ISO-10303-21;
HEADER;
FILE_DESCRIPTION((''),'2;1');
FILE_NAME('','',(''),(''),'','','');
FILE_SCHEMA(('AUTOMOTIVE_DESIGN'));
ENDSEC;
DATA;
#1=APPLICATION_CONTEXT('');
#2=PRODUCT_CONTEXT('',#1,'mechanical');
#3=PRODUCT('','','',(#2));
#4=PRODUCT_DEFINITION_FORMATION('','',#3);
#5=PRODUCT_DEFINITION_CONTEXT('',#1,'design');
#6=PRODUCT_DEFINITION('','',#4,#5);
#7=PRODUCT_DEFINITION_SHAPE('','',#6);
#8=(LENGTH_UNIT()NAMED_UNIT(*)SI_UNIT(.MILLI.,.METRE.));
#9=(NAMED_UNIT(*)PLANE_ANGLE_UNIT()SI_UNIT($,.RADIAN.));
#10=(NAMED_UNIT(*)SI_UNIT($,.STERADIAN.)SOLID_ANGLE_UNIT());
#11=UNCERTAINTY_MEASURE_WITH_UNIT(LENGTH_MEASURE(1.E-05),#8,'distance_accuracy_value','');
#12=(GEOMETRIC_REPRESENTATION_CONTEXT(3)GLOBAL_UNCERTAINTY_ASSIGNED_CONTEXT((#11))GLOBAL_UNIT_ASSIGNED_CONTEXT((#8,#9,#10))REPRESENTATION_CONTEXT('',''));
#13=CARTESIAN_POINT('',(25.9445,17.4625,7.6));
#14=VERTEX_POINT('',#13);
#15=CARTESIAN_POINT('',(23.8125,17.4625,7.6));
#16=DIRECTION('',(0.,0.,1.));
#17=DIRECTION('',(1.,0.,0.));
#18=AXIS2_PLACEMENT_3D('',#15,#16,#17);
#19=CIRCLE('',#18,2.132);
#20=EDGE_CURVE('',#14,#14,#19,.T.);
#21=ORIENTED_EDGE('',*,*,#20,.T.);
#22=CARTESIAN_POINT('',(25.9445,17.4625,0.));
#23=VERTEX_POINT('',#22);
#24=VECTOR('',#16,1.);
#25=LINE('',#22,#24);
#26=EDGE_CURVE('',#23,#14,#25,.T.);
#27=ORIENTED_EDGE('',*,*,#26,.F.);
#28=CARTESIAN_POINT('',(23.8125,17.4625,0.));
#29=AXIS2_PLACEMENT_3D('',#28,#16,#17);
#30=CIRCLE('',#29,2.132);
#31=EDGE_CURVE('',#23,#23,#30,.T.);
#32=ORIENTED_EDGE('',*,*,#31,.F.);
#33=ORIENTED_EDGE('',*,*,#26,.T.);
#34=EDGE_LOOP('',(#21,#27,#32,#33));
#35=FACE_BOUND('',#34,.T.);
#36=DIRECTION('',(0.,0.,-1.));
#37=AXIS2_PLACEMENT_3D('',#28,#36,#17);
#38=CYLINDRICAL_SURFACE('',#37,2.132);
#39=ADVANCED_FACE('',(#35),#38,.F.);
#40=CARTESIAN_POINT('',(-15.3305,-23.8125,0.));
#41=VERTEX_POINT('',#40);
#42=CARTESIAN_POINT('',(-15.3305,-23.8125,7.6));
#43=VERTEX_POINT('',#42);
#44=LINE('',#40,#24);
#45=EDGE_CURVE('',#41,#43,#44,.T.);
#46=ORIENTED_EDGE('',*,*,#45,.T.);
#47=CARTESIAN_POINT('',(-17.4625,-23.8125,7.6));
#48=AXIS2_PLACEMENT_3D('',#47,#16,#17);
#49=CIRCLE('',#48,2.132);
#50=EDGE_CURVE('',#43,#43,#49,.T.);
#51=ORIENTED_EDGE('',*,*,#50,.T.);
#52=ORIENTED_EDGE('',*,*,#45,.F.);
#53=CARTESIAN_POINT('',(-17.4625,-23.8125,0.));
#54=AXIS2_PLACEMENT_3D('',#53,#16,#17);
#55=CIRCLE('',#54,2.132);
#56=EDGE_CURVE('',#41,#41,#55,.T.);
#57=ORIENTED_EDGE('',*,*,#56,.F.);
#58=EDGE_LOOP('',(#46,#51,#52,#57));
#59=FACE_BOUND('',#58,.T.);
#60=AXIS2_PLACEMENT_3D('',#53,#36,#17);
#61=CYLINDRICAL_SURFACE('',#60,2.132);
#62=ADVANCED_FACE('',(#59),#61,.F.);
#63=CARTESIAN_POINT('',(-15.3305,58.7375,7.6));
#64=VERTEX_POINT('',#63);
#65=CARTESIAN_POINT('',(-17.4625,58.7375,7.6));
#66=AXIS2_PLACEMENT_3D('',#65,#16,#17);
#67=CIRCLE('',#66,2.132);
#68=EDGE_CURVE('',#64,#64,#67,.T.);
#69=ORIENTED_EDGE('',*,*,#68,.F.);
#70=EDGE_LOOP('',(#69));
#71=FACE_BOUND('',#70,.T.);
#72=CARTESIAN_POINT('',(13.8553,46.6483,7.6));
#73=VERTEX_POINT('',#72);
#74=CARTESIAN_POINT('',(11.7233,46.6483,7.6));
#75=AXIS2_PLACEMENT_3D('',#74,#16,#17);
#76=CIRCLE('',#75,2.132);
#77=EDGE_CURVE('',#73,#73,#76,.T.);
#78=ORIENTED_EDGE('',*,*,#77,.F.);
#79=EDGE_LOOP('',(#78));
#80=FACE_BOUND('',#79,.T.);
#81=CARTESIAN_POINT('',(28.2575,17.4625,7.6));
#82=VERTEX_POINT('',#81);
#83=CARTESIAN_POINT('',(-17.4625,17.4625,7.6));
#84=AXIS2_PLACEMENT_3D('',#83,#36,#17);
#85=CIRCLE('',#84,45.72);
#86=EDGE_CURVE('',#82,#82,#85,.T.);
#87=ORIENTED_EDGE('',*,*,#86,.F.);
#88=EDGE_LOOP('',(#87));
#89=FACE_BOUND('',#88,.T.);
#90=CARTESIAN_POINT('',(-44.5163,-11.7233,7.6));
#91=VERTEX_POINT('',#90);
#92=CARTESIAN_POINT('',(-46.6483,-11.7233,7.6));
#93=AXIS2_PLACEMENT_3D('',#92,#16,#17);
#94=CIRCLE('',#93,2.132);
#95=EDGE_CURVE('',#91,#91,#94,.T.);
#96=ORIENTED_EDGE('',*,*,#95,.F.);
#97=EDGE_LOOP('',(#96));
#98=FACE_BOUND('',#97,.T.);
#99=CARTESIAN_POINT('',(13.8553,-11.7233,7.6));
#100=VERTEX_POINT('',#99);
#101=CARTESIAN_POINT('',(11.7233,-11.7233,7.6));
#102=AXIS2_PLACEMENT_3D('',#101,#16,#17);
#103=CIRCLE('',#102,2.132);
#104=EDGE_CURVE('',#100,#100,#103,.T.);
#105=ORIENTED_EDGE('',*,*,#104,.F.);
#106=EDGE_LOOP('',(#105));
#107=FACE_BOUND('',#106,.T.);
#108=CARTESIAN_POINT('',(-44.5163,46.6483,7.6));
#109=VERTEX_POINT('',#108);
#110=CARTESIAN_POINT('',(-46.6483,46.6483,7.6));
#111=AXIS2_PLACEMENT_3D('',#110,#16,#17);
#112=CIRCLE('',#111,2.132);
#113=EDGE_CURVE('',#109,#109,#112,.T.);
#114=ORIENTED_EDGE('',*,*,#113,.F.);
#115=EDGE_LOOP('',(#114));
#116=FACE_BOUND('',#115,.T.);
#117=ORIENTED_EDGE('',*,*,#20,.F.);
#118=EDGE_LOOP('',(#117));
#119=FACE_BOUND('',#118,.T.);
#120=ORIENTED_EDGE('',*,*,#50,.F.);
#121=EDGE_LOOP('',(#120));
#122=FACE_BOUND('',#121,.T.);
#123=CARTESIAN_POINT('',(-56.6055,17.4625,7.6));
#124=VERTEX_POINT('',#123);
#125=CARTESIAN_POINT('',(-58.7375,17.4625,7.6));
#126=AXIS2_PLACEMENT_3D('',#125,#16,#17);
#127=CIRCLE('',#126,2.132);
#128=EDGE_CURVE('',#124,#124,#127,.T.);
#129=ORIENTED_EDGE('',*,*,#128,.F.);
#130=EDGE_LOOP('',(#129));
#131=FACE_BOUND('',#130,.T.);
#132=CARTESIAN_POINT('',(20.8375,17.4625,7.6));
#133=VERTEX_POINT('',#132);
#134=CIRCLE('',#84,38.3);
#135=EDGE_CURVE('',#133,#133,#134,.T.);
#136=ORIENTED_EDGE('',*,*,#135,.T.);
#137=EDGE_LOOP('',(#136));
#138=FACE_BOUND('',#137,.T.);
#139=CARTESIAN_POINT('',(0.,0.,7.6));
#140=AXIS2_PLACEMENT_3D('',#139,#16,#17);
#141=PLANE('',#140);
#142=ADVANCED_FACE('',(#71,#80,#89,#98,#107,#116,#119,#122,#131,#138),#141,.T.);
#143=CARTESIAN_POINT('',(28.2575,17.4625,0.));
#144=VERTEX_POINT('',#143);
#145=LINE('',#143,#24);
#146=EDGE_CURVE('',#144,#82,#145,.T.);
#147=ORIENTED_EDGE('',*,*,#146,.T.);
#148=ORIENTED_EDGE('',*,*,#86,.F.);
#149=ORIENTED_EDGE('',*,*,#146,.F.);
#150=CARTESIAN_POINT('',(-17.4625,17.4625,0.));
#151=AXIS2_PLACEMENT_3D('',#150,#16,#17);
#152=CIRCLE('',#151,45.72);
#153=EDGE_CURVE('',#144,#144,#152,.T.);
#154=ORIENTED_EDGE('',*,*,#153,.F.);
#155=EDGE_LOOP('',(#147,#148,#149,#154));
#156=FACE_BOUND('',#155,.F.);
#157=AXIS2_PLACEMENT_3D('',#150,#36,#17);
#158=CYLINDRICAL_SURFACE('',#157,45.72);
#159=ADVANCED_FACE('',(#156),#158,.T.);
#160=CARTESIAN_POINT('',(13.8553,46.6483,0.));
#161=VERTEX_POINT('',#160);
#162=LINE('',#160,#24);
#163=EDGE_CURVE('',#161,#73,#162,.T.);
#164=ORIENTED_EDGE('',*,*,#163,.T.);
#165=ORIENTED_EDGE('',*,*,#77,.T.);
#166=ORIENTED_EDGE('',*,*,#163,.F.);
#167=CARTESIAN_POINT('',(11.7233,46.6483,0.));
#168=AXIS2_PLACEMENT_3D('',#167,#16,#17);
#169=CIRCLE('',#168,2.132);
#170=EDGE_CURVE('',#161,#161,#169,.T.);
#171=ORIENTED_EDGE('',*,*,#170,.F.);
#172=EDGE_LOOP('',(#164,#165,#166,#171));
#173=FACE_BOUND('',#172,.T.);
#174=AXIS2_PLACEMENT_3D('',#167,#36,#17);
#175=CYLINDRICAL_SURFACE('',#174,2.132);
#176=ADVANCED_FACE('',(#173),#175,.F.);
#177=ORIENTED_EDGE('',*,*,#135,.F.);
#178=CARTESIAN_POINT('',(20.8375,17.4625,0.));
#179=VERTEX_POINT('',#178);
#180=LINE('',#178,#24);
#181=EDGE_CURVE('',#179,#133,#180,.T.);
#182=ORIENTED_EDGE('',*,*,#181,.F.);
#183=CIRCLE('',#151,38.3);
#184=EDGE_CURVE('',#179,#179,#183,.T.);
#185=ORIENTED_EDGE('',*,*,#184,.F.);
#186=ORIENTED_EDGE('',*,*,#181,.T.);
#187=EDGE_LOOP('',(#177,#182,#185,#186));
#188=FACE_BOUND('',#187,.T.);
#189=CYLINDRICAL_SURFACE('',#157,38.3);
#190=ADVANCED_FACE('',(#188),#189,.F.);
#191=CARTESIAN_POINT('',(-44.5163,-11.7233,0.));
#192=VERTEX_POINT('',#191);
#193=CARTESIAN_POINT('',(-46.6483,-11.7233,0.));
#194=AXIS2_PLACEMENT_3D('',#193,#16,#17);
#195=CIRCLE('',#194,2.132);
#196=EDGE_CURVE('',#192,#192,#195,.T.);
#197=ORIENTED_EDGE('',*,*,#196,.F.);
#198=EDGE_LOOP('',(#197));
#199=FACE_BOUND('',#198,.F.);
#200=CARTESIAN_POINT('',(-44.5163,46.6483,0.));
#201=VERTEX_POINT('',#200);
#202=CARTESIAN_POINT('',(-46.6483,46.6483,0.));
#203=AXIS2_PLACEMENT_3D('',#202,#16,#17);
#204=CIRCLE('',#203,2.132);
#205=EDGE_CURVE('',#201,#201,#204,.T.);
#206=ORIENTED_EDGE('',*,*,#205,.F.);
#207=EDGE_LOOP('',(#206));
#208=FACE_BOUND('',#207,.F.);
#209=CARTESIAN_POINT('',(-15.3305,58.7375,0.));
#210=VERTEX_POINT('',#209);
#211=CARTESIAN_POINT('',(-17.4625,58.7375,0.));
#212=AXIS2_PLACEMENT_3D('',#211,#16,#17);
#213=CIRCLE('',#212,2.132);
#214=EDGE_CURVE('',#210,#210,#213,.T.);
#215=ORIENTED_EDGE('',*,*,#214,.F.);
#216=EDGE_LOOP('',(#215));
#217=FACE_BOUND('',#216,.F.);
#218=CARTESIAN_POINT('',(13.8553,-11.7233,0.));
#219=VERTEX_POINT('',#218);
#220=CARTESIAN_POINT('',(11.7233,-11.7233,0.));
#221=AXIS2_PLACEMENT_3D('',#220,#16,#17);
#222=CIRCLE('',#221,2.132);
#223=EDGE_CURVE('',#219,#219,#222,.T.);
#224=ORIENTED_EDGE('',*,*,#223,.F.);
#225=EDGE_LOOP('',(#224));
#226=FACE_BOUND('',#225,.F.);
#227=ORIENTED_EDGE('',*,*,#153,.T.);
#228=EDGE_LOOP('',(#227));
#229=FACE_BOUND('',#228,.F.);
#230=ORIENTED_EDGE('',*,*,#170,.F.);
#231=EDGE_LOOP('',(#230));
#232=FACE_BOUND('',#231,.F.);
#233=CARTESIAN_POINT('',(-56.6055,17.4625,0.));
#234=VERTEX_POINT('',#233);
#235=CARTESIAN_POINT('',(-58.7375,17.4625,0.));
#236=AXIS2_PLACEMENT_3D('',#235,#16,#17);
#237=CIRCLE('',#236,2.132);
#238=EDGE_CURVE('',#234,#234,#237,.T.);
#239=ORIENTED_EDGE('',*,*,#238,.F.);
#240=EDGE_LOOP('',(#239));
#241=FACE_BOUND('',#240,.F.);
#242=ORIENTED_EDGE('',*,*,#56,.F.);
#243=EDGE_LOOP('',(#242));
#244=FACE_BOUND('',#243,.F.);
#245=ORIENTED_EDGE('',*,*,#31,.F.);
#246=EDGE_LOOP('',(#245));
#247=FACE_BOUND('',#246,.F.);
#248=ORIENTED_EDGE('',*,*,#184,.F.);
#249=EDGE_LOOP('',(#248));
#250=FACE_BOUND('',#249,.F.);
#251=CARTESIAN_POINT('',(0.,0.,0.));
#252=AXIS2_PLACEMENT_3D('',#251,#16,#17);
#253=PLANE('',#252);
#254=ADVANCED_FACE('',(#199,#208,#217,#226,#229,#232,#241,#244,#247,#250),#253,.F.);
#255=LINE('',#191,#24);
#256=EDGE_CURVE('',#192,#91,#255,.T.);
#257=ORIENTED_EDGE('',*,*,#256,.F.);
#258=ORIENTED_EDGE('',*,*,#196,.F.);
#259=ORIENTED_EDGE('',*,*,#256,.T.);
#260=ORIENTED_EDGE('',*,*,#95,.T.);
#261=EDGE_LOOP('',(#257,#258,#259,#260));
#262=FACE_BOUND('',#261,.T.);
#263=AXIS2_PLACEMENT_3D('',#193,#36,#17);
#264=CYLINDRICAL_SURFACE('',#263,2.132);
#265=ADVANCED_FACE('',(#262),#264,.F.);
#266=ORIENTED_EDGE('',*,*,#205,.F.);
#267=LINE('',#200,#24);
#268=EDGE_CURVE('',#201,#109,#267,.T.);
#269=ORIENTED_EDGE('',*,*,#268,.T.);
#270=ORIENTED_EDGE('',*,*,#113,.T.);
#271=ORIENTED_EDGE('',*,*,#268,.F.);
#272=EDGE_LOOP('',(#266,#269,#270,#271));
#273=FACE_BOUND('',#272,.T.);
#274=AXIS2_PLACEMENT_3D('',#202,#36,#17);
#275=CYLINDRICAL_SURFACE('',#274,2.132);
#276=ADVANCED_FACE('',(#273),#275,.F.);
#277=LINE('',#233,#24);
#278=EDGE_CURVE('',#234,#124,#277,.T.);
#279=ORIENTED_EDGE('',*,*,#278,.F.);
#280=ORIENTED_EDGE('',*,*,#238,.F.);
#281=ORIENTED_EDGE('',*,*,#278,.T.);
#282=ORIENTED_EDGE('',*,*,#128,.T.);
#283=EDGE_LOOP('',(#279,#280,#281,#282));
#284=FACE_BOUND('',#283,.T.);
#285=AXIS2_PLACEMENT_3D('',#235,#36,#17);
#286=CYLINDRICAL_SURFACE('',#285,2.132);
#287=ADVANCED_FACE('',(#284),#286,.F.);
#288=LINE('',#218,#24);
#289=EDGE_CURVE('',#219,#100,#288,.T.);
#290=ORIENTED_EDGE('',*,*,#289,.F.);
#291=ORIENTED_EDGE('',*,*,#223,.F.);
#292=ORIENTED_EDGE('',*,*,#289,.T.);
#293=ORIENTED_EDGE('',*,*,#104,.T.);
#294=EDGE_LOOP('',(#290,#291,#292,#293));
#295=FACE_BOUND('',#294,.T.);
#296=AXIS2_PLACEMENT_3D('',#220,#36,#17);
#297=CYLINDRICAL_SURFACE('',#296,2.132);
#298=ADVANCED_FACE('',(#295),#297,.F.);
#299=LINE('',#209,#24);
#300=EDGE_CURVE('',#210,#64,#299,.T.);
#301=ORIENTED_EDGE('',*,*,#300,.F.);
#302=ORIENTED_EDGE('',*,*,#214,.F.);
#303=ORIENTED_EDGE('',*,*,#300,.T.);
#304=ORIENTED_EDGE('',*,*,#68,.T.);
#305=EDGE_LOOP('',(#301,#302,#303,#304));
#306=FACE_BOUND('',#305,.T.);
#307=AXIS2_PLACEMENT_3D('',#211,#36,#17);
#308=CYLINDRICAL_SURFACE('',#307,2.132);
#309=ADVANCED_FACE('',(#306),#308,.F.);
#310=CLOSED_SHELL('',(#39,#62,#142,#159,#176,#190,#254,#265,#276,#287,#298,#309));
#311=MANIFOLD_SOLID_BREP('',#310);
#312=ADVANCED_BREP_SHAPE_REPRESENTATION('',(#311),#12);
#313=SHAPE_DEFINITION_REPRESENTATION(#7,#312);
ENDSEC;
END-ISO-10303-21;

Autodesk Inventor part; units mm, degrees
ref_plane "YZ Plane" through (0, 0, 0) normal (1, 0, 0) x (0, 1, 0)
ref_plane "XZ Plane" through (0, 0, 0) normal (0, 1, 0) x (-1, 0, 0)
ref_plane "XY Plane" through (0, 0, 0) normal (0, 0, 1) x (1, 0, 0)
ref_plane "Work Plane1" through (0, 0, 0) normal (0, 0, 1) x (1, 0, 0)
sketch "Sketch1" plane through (0, 0, 0) normal (0, 0, 1) x (1, 0, 0)
  circle A0 centre (11.7233, 46.6483) radius 2.132 projected
  circle A1 centre (20.0025, 56.1975) radius 2.132 projected
  circle A2 centre (32.7025, 56.1975) radius 2.132 projected
  circle A3 centre (45.4025, 56.1975) radius 2.132 projected
  circle A4 centre (58.1025, 56.1975) radius 2.132 projected
  circle A5 centre (-58.7375, 17.4625) radius 2.132 projected
  circle A6 centre (-46.6483, 46.6483) radius 2.132 projected
  circle A7 centre (-17.4625, 58.7375) radius 2.132 projected
  circle A8 centre (11.7233, 46.6483) radius 2.132 projected
  circle A9 centre (23.8125, 17.4625) radius 2.132 projected
  circle A10 centre (11.7233, -11.7233) radius 2.132 projected
  circle A11 centre (-17.4625, -23.8125) radius 2.132 projected
  circle A12 centre (-46.6483, -11.7233) radius 2.132 projected
  circle A13 centre (-56.1975, -32.7025) radius 2.132 projected
  circle A14 centre (-56.1975, -45.4025) radius 2.132 projected
  circle A15 centre (-56.1975, -58.1025) radius 2.132 projected
  circle A16 centre (-56.1975, -20.0025) radius 2.132 projected
  circle A17 centre (-17.4625, 17.4625) radius 38.1 projected
  circle A18 centre (-17.4625, 17.4625) radius 38.3
  circle A19 centre (-17.4625, 17.4625) radius 45.72
  circle A20 centre (-17.4625, 17.4625) radius 32.55 projected
  line L0 (9.485, -18.7266) -> (-48.7269, -62.0728) projected
  arc A21 (9.485, -18.7266) -> (18.7266, -9.485) centre (-17.4625, 17.4625) ccw projected
  line L1 (62.0728, 48.7269) -> (18.7266, -9.485) projected
  arc A22 (62.0728, 48.7269) -> (62.5825, 50.2648) centre (60.0075, 50.2648) ccw projected
  line L2 (62.5825, 60.0075) -> (62.5825, 50.2648) projected
  arc A23 (62.5825, 60.0075) -> (60.0075, 62.5825) centre (60.0075, 60.0075) ccw projected
  line L3 (-17.4625, 62.5825) -> (60.0075, 62.5825) projected
  arc A24 (-17.4625, 62.5825) -> (-62.5825, 17.4625) centre (-17.4625, 17.4625) ccw projected
  line L4 (-62.5825, -60.0075) -> (-62.5825, 17.4625) projected
  arc A25 (-62.5825, -60.0075) -> (-60.0075, -62.5825) centre (-60.0075, -60.0075) ccw projected
  line L5 (-50.2648, -62.5825) -> (-60.0075, -62.5825) projected
  arc A26 (-50.2648, -62.5825) -> (-48.7269, -62.0728) centre (-50.2648, -60.0075) ccw projected
  arc A27 (-46.4955, -21.6632) -> (-38.635, -17.6063) centre (-46.6483, -11.7233) ccw projected
  arc A28 (-33.9418, -16.445) -> (-38.635, -17.6063) centre (-35.592, -19.8403) ccw projected
  arc A29 (-33.9418, -16.445) -> (-29.7861, -18.1664) centre (-17.4625, 17.4625) ccw projected
  arc A30 (-27.2887, -22.3061) -> (-29.7861, -18.1664) centre (-31.0201, -21.734) ccw projected
  arc A31 (-27.2887, -22.3061) -> (-26.8535, -27.0731) centre (-17.4625, -23.8125) ccw projected
  arc A32 (-28.1651, -31.3391) -> (-26.8535, -27.0731) centre (-30.4197, -28.3113) ccw projected
  line L6 (-44.1828, -43.2664) -> (-28.1651, -31.3391) projected
  arc A33 (-50.2124, -40.2386) -> (-44.1828, -43.2664) centre (-46.4374, -40.2386) ccw projected
  line L7 (-50.2124, -25.4377) -> (-50.2124, -40.2386) projected
  arc A34 (-46.4955, -21.6632) -> (-50.2124, -25.4377) centre (-46.4374, -25.4377) ccw projected
  line L8 (40.2386, 50.2124) -> (25.4377, 50.2124) projected
  arc A35 (43.2664, 44.1828) -> (40.2386, 50.2124) centre (40.2386, 46.4374) ccw projected
  line L9 (31.3391, 28.1651) -> (43.2664, 44.1828) projected
  arc A36 (27.0731, 26.8535) -> (31.3391, 28.1651) centre (28.3113, 30.4197) ccw projected
  arc A37 (27.0731, 26.8535) -> (22.3061, 27.2887) centre (23.8125, 17.4625) ccw projected
  arc A38 (18.1664, 29.7861) -> (22.3061, 27.2887) centre (21.734, 31.0201) ccw projected
  arc A39 (18.1664, 29.7861) -> (16.445, 33.9418) centre (-17.4625, 17.4625) ccw projected
  arc A40 (17.6063, 38.635) -> (16.445, 33.9418) centre (19.8403, 35.592) ccw projected
  arc A41 (17.6063, 38.635) -> (21.6632, 46.4955) centre (11.7233, 46.6483) ccw projected
  arc A42 (25.4377, 50.2124) -> (21.6632, 46.4955) centre (25.4377, 46.4374) ccw projected
  point P0 (0, 0)
  dimension "d0" = 0.2
extrude "Extrusion1" add sketch "Sketch1" along normal blind 7.6 contours A38 A37 A36 A19 L1 A21 L0 A32 A31 A30 A18 | A18 A40 A41 A19 A36 A37 A38 | A30 A31 A32 A19 A27 A28 A18 | A18 A28 A27 A19 L4 A24 L3 A41 A40 | L3 A24 L4 A19 | L0 A21 L1 A19
properties part number "upper_plate"
